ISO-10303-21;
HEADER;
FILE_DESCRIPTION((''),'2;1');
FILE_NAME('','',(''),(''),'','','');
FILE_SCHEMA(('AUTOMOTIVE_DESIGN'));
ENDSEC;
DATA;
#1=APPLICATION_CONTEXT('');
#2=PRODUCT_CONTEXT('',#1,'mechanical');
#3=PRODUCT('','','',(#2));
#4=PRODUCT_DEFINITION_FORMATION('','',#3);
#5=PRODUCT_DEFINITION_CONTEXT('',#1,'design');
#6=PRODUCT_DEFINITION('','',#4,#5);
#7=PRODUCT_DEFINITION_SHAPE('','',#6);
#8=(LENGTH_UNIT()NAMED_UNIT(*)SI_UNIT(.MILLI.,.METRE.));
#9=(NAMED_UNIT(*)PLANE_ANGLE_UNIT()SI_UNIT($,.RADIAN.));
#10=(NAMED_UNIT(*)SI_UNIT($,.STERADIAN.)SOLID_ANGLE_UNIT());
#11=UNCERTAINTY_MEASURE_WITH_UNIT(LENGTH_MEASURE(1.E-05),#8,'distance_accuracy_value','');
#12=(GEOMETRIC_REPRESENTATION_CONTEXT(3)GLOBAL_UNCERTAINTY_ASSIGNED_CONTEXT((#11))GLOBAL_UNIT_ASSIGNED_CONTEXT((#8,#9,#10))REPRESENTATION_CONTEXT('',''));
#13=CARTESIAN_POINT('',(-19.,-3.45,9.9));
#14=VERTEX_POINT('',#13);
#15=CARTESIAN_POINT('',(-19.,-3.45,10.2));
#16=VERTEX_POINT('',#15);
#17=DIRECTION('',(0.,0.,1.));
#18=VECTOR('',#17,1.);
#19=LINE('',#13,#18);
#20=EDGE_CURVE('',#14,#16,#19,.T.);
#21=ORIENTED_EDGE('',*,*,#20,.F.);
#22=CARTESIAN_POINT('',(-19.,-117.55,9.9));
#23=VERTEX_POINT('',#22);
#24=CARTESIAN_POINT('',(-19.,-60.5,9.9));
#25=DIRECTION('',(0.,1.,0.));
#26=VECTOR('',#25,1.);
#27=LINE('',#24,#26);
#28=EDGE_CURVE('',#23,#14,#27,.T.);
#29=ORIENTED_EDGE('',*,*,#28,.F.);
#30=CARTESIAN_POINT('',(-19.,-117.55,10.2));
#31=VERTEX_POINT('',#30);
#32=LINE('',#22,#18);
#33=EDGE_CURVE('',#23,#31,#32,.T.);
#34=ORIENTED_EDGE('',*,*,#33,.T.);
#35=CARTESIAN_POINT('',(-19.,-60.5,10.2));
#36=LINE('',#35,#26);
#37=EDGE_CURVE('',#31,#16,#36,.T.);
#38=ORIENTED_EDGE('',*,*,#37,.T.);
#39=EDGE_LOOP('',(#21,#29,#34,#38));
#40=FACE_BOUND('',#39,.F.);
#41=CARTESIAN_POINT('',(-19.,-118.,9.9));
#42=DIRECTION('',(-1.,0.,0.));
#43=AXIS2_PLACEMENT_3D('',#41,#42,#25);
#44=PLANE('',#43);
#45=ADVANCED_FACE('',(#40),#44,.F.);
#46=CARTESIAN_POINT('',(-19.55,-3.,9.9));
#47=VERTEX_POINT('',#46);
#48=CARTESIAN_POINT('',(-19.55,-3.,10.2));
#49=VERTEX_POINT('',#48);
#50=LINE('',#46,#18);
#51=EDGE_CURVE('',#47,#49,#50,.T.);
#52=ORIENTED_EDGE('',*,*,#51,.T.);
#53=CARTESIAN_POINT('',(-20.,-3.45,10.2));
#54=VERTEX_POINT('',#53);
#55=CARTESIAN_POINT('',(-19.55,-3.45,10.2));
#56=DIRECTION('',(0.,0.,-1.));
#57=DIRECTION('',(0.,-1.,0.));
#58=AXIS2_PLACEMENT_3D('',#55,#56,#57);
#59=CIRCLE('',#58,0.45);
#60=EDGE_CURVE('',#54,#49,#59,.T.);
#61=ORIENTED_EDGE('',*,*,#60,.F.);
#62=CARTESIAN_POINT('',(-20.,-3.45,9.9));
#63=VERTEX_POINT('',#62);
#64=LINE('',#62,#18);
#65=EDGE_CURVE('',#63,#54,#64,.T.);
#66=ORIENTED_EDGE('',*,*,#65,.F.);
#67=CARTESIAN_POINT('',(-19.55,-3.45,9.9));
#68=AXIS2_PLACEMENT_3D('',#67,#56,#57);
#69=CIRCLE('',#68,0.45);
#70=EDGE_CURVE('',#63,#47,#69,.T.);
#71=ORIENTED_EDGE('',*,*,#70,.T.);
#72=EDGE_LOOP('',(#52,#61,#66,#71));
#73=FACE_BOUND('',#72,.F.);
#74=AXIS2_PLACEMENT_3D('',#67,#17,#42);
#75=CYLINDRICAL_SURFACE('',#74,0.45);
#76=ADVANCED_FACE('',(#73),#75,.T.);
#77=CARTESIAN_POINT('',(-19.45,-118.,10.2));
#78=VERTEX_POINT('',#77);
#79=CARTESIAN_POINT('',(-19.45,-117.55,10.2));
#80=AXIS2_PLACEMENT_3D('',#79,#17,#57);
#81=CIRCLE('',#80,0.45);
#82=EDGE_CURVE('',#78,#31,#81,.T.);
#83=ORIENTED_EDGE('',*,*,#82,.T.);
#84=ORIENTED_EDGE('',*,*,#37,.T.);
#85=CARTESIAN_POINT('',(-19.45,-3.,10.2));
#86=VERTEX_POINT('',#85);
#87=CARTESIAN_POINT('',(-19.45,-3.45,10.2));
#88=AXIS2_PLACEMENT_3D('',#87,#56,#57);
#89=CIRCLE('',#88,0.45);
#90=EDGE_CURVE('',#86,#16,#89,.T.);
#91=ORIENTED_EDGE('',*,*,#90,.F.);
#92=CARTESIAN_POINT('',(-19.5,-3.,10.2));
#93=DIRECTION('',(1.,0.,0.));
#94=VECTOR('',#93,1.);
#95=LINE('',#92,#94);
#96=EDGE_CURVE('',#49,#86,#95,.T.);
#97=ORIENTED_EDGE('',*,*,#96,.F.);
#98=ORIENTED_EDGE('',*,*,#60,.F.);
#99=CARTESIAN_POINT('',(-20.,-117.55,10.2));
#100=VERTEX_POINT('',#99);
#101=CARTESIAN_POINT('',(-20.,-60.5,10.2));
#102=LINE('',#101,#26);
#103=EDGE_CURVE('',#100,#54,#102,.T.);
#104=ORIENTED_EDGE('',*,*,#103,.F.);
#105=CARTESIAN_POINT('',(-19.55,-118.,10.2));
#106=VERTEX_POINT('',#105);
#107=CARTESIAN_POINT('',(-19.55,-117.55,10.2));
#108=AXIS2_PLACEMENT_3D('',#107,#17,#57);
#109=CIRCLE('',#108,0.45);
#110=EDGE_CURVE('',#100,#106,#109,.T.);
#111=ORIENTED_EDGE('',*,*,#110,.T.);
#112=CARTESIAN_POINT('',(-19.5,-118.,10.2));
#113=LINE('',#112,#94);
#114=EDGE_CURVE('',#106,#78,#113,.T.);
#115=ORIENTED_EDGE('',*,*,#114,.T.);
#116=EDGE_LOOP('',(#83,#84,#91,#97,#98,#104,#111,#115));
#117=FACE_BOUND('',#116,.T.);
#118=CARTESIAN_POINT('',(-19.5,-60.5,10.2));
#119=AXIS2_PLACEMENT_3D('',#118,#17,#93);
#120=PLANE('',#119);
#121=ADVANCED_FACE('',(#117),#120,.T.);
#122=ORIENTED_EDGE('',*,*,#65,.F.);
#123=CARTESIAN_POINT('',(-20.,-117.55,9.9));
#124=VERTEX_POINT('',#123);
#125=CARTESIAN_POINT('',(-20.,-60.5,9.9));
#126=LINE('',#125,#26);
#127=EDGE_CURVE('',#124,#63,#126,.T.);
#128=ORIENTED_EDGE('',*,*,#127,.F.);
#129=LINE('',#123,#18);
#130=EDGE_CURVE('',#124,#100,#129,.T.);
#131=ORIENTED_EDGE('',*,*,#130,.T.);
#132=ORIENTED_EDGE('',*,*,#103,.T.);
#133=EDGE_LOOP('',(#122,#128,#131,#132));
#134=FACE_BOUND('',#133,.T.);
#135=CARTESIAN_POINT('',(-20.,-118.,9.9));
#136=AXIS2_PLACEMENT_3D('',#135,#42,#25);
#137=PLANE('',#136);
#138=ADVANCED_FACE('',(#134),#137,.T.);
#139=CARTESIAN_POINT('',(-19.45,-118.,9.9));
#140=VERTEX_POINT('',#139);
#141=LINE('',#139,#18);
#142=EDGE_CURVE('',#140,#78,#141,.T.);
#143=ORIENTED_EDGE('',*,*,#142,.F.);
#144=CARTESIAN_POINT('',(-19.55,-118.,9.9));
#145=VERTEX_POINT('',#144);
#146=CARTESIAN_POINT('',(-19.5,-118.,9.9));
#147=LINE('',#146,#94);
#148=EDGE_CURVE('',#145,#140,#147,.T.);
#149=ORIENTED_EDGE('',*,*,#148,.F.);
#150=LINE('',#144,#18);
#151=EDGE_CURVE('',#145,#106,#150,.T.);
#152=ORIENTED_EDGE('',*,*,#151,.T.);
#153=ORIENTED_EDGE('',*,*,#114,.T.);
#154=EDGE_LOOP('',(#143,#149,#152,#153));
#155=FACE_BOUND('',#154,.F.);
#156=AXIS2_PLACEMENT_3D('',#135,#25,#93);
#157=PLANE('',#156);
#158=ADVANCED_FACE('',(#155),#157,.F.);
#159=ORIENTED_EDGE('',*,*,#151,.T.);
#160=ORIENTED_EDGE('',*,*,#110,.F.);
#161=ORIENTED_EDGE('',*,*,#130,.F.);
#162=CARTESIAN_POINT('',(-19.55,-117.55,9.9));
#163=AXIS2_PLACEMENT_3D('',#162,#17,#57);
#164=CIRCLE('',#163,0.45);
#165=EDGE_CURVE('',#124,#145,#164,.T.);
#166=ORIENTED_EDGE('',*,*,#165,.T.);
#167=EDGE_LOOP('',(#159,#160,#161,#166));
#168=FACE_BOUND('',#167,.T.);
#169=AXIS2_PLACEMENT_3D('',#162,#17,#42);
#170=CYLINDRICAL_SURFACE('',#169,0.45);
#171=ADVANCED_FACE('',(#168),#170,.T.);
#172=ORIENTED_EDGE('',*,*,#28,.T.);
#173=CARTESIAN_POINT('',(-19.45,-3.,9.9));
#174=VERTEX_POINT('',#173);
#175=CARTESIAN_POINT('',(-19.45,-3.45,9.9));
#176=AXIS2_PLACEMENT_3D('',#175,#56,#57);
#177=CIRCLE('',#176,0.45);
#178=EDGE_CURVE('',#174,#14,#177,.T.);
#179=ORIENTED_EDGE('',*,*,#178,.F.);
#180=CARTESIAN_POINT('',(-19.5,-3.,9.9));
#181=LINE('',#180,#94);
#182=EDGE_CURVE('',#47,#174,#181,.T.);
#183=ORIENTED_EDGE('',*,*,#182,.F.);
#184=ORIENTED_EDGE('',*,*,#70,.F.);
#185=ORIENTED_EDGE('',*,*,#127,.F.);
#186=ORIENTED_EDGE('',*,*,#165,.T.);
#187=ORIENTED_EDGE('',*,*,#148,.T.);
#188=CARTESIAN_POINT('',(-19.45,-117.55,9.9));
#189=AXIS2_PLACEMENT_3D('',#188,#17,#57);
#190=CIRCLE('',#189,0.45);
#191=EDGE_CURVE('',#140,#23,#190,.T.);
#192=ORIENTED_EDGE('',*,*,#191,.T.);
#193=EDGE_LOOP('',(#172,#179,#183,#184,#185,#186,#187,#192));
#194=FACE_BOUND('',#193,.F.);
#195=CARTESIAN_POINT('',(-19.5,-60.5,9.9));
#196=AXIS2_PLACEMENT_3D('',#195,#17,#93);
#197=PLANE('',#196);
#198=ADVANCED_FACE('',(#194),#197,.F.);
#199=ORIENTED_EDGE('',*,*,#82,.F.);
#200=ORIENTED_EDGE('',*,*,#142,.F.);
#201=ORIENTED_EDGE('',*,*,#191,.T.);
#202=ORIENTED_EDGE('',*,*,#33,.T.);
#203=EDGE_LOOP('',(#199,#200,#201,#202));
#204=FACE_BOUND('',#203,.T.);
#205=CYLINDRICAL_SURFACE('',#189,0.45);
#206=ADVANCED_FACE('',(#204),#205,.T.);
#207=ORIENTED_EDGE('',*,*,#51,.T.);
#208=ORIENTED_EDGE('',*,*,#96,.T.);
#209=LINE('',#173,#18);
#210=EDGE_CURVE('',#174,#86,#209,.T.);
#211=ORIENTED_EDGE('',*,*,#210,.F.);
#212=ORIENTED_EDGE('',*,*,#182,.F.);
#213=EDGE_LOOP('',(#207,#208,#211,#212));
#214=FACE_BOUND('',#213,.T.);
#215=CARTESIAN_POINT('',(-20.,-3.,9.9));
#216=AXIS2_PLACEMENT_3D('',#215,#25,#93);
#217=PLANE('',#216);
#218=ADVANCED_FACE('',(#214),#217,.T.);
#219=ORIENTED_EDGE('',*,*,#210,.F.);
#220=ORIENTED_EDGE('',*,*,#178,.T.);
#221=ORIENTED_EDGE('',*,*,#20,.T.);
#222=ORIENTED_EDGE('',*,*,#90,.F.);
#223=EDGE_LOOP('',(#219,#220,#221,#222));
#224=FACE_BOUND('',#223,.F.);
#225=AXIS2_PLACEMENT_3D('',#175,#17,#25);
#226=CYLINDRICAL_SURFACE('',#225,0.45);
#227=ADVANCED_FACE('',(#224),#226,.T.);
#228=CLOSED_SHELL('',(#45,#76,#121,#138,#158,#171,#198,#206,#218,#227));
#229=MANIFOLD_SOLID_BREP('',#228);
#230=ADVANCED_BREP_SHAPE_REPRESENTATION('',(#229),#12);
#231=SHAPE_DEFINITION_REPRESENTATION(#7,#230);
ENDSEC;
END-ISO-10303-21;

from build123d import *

# Parameters (mm, degrees)
BOX004_W     = 1
BOX004_H     = 115
BOX004_DEPTH = 0.3
FILLET005_R  = 0.45
FILLET006_R  = 0.45
FILLET009_R  = 0.45
FILLET010_R  = 0.45


with BuildPart() as part:
    # Box004 → Box004 (new body)
    with BuildSketch(Plane(origin=(-20, -118, 9.9), x_dir=(1, 0, 0), z_dir=(0, 0, 1))):
        with Locations((0.5, 57.5)):
            Rectangle(BOX004_W, BOX004_H)
    extrude(amount=BOX004_DEPTH)

    # Fillet005
    fillet005_edges = [part.edges().sort_by_distance(p)[0] for p in [
        (-20, -3, 10.05),
    ]]
    fillet(fillet005_edges, radius=FILLET005_R)

    # Fillet006
    fillet006_edges = [part.edges().sort_by_distance(p)[0] for p in [
        (-19, -3, 10.05),
    ]]
    fillet(fillet006_edges, radius=FILLET006_R)

    # Fillet009
    fillet009_edges = [part.edges().sort_by_distance(p)[0] for p in [
        (-20, -118, 10.05),
    ]]
    fillet(fillet009_edges, radius=FILLET009_R)

    # Fillet010
    fillet010_edges = [part.edges().sort_by_distance(p)[0] for p in [
        (-19, -118, 10.05),
    ]]
    fillet(fillet010_edges, radius=FILLET010_R)


solid = part.part
